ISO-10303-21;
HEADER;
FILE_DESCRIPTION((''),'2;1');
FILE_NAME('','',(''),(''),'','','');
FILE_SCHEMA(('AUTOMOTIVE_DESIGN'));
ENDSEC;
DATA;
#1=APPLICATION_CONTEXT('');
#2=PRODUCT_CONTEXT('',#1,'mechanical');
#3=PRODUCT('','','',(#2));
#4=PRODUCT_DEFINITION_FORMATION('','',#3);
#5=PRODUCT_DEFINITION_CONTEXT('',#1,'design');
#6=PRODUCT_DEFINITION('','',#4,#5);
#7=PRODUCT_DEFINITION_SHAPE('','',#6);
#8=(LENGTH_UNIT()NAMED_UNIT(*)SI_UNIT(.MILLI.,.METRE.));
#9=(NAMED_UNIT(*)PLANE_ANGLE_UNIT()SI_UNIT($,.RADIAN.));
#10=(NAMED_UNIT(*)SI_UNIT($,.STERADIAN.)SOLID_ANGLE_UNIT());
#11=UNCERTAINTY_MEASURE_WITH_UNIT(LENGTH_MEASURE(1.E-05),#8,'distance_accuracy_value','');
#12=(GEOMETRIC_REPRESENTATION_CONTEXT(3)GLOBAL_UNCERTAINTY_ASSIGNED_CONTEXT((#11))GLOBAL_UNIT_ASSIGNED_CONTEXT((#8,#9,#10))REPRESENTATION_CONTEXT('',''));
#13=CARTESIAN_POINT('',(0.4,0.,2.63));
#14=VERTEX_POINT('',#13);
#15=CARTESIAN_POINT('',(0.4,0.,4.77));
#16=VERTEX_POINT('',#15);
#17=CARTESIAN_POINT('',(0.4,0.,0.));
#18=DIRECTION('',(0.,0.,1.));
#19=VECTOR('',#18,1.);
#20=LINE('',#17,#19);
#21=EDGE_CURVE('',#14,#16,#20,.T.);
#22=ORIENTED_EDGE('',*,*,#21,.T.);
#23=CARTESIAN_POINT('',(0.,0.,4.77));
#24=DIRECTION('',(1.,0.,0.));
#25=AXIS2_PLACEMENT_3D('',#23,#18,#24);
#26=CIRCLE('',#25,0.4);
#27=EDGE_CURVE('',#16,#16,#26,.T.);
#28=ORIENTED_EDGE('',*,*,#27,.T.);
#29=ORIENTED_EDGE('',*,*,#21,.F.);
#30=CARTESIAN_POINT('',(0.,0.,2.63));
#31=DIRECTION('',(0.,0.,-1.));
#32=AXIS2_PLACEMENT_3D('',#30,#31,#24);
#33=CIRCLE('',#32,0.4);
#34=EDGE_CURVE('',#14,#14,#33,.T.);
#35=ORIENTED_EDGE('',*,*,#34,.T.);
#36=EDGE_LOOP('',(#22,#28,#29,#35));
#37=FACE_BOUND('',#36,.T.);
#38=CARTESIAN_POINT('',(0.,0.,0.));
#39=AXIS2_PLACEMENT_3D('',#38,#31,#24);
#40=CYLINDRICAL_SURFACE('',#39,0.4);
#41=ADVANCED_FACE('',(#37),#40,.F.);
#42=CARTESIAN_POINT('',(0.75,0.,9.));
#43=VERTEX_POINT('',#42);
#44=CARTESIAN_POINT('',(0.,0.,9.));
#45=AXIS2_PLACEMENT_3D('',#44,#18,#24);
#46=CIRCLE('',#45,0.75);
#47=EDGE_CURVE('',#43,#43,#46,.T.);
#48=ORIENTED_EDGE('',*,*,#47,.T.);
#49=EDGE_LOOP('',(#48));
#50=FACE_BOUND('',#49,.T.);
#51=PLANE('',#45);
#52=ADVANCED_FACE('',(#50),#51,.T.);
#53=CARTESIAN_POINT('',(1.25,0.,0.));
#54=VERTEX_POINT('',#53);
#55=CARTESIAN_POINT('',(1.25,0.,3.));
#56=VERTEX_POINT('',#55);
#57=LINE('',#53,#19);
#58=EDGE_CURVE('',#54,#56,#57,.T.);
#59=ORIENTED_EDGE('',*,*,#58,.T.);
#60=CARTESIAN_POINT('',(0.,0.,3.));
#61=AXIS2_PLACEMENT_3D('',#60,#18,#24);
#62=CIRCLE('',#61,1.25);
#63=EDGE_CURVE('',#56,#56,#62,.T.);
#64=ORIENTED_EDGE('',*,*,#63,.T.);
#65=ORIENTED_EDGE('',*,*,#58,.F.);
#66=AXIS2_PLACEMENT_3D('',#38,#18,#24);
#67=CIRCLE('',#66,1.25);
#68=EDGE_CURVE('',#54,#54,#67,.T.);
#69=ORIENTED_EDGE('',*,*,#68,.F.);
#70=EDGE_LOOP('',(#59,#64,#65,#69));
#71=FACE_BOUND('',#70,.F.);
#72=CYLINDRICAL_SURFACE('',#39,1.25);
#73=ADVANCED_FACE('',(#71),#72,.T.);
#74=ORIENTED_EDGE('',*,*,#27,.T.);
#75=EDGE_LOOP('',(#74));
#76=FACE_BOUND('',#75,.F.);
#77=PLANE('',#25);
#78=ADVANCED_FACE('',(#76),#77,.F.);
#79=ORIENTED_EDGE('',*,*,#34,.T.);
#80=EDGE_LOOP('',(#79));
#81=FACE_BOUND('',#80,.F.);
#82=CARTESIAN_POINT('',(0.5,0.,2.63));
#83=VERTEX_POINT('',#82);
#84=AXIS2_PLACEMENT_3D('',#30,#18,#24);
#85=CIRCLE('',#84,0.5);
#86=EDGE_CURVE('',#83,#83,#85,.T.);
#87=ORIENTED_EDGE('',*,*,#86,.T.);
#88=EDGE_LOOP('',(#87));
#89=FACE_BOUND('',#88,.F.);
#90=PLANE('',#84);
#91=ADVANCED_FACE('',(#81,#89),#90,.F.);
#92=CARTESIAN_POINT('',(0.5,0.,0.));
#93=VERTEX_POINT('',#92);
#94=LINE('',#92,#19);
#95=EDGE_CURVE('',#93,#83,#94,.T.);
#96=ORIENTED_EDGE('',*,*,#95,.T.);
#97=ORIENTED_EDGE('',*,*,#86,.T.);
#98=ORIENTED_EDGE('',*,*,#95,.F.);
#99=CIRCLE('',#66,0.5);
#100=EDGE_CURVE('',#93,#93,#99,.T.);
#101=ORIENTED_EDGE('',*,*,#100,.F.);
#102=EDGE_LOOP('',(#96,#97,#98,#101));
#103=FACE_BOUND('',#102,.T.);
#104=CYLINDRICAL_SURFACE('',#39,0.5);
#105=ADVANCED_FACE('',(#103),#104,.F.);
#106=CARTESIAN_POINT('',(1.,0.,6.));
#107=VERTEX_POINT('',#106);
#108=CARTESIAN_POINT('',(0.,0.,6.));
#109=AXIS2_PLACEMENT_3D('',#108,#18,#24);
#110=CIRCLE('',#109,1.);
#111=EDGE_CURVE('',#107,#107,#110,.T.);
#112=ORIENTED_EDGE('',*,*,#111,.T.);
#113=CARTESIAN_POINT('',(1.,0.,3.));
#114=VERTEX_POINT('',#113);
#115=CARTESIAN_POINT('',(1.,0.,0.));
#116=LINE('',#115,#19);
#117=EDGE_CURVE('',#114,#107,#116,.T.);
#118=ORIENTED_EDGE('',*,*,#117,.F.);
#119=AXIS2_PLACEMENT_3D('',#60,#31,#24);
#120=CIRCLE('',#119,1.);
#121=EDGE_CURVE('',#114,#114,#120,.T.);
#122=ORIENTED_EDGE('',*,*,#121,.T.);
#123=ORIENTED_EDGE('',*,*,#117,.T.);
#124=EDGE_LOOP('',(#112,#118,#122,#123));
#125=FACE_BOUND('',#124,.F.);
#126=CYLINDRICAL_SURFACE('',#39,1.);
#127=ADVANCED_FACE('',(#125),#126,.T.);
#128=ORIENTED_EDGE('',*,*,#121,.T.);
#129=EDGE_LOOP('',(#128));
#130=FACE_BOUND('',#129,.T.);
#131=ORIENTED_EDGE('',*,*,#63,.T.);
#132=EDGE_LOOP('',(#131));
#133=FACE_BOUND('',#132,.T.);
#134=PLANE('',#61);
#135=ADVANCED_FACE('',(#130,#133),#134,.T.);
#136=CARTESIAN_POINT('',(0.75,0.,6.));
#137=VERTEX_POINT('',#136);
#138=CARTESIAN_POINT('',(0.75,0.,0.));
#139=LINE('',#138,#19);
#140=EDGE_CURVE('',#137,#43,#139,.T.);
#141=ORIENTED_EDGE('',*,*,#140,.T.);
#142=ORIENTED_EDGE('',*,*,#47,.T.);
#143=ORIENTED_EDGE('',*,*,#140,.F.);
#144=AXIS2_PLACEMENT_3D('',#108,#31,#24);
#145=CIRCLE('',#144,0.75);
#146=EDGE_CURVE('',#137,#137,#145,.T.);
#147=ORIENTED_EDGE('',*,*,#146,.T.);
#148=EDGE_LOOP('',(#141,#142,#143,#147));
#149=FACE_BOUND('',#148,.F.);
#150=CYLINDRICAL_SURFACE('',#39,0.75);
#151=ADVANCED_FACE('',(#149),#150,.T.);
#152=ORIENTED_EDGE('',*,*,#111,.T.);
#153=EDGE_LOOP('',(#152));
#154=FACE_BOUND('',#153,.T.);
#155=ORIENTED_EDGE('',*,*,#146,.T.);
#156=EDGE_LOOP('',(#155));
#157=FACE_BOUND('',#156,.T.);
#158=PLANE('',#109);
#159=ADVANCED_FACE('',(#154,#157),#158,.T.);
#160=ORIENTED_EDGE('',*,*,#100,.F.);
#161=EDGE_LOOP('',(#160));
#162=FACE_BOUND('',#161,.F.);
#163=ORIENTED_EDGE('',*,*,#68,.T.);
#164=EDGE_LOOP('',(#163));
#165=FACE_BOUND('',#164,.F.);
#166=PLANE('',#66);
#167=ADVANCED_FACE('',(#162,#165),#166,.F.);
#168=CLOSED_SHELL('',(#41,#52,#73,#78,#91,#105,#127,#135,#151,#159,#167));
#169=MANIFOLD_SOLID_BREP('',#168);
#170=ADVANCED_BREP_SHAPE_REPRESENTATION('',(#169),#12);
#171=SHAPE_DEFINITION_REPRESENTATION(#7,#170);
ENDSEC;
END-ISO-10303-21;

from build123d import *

# Parameters (mm, degrees)
F1_R      = 1
F2_DEPTH  = 6
F0_R      = 0.75
F3_DEPTH  = 9
F5_R      = 1.25
F6_DEPTH  = 3
F4_R      = 0.4
F7_DEPTH  = 2.36
F8_R      = 0.5
F9_DEPTH  = 2.63
F10_R     = 0.4
F11_DEPTH = 4.77


with BuildPart() as f2:
    # F1 (on Top) → F2 (new body)
    with BuildSketch(Plane.XY):
        Circle(F1_R)
    extrude(amount=F2_DEPTH)

    # F0 (on Top) → F3 (join)
    with BuildSketch(Plane.XY):
        Circle(F0_R)
    extrude(amount=F3_DEPTH)

    # F5 (on Top) → F6 (join)
    with BuildSketch(Plane.XY):
        Circle(F5_R)
    extrude(amount=F6_DEPTH)

    # F4 (on Top) → F7 (cut)
    with BuildSketch(Plane.XY):
        Circle(F4_R)
    extrude(amount=F7_DEPTH, mode=Mode.SUBTRACT)

    # F8 (on Top) → F9 (cut)
    with BuildSketch(Plane.XY):
        Circle(F8_R)
    extrude(amount=F9_DEPTH, mode=Mode.SUBTRACT)

    # F10 (on Top) → F11 (cut)
    with BuildSketch(Plane.XY):
        Circle(F10_R)
    extrude(amount=F11_DEPTH, mode=Mode.SUBTRACT)


solid = f2.part
